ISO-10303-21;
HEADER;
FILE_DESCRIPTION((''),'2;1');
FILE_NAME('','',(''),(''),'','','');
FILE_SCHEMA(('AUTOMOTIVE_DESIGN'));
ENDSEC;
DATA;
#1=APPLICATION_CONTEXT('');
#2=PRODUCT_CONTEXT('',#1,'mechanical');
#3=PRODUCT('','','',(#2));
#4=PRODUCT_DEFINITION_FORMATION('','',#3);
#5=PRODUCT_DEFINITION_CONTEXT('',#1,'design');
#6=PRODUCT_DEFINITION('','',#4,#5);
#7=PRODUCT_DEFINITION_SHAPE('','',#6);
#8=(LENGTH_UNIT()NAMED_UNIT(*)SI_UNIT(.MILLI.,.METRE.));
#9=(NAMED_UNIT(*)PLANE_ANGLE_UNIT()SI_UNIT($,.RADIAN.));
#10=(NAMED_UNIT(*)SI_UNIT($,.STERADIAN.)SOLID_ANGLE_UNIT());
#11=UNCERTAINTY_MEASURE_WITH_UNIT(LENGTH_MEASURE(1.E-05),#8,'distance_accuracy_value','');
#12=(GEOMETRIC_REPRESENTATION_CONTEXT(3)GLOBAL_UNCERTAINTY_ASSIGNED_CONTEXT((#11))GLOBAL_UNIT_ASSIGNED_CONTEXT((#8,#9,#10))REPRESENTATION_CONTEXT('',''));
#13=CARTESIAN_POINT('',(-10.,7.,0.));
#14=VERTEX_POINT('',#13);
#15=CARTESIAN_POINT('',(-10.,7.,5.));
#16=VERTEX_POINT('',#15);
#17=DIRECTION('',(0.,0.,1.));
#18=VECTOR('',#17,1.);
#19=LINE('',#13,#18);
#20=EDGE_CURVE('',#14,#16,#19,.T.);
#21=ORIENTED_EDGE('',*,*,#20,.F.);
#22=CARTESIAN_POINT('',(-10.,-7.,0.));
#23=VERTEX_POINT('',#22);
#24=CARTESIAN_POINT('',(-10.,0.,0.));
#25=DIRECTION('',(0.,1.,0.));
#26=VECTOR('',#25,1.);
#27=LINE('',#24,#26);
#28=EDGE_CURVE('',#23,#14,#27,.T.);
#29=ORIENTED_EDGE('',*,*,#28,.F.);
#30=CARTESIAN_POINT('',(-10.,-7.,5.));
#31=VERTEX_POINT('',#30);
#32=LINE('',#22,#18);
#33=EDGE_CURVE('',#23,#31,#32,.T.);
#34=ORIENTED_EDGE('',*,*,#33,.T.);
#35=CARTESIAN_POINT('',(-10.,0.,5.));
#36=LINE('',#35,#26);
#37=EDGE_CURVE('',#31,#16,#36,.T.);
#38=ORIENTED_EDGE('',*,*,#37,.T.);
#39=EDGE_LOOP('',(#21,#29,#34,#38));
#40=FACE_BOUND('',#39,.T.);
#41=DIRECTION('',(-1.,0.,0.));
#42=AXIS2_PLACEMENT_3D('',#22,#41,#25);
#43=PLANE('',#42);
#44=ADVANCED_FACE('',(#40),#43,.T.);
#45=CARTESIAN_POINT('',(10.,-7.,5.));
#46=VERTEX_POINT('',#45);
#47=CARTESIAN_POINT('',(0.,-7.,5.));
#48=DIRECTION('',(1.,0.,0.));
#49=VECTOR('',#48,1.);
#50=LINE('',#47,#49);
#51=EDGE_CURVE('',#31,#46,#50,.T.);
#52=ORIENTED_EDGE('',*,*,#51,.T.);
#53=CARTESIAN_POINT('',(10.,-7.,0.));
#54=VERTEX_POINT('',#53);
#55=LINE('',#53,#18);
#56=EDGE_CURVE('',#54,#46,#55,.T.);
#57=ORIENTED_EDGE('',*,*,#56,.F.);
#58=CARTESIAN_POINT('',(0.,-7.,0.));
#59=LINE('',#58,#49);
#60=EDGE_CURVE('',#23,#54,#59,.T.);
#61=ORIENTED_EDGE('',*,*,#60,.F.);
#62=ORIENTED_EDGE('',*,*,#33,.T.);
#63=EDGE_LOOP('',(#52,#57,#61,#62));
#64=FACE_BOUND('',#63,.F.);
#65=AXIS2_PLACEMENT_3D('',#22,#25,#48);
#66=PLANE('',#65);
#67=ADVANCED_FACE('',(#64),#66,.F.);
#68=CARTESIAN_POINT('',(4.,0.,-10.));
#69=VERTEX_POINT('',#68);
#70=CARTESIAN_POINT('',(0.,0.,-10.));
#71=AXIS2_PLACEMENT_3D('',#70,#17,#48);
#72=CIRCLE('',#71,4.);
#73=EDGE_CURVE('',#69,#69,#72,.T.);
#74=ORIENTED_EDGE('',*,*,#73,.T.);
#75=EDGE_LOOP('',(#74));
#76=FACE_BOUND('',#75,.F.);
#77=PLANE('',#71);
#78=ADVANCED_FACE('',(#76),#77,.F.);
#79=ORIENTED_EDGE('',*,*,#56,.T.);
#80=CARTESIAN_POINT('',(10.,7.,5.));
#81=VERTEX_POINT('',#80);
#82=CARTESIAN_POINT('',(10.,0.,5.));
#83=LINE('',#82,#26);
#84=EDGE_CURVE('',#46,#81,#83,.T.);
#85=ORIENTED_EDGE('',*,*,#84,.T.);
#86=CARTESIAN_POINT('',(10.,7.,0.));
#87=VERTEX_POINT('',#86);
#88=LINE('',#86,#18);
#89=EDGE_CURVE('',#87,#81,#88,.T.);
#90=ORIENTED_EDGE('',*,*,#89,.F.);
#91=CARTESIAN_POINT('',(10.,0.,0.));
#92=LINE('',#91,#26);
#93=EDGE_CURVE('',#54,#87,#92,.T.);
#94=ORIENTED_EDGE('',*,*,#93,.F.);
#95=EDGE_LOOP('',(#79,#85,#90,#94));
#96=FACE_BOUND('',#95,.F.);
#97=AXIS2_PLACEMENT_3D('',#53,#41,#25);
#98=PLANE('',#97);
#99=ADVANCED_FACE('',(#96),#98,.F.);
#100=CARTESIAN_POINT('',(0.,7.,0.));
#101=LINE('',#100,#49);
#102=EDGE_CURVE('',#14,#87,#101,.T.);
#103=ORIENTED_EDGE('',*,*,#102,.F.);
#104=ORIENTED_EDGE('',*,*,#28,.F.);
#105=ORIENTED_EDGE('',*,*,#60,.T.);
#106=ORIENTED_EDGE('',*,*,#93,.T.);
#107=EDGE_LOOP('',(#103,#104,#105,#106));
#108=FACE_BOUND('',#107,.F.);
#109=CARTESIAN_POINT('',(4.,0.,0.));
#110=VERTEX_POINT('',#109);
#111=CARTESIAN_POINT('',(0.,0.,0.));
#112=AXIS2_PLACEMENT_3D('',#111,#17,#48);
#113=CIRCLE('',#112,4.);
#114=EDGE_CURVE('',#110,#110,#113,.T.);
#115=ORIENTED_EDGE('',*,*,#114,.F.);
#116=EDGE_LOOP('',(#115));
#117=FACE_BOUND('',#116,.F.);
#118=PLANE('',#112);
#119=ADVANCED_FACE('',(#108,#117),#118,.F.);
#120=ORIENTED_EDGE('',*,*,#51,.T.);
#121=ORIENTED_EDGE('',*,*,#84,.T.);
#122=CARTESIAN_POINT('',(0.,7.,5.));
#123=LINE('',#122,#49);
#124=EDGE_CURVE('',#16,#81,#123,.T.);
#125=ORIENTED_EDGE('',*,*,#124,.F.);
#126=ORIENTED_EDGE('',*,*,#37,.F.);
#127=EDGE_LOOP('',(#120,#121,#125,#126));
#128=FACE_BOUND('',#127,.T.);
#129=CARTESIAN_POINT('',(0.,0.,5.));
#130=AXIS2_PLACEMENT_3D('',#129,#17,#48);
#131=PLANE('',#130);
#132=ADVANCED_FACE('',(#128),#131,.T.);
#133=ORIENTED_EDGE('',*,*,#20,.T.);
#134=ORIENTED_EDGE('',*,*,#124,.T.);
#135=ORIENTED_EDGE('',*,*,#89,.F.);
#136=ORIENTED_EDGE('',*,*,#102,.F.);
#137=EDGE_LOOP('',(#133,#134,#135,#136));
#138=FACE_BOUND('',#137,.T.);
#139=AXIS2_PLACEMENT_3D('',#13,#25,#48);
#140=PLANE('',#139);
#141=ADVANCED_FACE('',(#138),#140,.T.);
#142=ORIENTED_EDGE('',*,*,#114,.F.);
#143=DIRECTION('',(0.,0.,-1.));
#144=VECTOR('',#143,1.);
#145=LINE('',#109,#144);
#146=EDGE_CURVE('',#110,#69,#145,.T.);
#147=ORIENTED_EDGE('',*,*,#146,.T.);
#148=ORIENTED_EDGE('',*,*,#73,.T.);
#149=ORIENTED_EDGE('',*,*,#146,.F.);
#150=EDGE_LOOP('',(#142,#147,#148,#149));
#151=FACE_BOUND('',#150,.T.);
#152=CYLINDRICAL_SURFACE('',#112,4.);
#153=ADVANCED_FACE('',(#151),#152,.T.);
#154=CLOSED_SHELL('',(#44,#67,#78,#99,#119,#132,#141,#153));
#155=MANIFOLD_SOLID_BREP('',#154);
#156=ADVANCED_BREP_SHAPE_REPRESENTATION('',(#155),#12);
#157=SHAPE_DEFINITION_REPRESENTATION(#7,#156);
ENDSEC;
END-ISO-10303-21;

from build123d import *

# Parameters (mm, degrees)
F0_W     = 20
F0_H     = 14
F0_R     = 4
F1_DEPTH = 5
F2_DEPTH = 10


with BuildPart() as f1:
    # F0 (on Top) → F1 (new body)
    with BuildSketch(Plane.XY):
        Rectangle(F0_W, F0_H)
        Circle(F0_R, mode=Mode.SUBTRACT)
        Circle(F0_R)
    extrude(amount=F1_DEPTH)

    # F0 (on Top) → F2 (join)
    with BuildSketch(Plane.XY):
        Circle(F0_R)
    extrude(amount=-F2_DEPTH)


solid = f1.part
